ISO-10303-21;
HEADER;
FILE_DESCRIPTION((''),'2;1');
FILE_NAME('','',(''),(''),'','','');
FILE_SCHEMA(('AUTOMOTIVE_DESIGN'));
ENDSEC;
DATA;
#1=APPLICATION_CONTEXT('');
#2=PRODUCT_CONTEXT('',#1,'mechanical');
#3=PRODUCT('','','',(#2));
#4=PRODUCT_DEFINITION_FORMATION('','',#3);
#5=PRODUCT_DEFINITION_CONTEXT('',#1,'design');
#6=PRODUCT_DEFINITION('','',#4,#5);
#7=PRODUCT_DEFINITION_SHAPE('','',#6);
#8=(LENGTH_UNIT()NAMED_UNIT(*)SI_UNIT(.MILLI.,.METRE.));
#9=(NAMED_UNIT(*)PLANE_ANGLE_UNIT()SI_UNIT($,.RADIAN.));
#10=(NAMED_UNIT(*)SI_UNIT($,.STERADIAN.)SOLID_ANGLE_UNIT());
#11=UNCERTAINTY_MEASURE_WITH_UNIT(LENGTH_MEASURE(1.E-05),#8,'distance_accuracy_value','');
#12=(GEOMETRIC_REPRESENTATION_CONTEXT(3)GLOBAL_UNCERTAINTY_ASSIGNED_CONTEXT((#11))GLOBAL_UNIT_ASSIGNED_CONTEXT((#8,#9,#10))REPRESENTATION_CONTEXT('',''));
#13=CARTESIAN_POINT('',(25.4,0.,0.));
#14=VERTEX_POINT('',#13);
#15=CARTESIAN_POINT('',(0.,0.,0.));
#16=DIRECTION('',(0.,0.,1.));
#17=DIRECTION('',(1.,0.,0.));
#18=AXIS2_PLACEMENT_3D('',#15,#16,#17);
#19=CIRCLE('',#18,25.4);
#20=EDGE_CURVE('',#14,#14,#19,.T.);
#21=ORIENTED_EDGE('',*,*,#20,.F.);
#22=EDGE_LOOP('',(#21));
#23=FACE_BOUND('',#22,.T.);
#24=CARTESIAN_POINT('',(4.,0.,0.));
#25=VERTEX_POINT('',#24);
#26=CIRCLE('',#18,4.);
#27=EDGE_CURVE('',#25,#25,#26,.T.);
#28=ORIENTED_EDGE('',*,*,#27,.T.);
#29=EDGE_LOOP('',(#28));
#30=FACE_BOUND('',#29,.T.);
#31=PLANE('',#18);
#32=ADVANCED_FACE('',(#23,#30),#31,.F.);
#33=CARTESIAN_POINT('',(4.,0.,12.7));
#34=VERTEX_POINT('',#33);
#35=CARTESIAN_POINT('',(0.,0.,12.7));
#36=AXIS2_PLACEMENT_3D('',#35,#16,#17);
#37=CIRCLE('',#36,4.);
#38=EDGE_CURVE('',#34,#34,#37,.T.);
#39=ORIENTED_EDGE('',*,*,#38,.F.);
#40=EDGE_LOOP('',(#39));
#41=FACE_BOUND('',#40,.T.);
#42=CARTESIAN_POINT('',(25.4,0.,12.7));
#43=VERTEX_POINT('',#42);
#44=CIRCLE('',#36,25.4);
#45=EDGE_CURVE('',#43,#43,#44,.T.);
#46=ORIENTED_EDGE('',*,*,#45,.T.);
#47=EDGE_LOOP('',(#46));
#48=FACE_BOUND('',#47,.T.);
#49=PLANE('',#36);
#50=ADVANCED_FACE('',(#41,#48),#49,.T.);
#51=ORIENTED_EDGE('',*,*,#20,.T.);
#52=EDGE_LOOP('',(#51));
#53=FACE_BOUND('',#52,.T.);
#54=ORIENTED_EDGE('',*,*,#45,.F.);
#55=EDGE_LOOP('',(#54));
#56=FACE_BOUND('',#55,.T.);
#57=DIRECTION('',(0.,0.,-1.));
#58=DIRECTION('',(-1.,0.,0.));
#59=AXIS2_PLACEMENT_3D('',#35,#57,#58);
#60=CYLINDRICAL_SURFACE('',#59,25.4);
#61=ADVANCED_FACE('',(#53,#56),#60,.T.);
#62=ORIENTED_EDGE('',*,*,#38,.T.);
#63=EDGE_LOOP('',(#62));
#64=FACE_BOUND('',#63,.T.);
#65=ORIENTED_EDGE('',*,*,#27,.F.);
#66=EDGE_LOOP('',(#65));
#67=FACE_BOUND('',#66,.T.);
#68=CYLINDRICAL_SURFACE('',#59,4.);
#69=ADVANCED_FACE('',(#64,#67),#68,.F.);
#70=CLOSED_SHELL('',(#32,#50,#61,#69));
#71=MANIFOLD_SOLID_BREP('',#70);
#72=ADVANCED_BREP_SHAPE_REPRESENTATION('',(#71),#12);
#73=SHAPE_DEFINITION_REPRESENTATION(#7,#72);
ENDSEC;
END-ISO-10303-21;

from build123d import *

# Parameters (mm, degrees)
SKETCH1_R           = 25.4
SKETCH1_R_2         = 4
BOSS_EXTRUDE1_DEPTH = 12.7


with BuildPart() as part:
    # Sketch1 → Boss-Extrude1 (new body)
    with BuildSketch(Plane.XY):
        Circle(SKETCH1_R)
        Circle(SKETCH1_R_2, mode=Mode.SUBTRACT)
    extrude(amount=BOSS_EXTRUDE1_DEPTH)


solid = part.part
